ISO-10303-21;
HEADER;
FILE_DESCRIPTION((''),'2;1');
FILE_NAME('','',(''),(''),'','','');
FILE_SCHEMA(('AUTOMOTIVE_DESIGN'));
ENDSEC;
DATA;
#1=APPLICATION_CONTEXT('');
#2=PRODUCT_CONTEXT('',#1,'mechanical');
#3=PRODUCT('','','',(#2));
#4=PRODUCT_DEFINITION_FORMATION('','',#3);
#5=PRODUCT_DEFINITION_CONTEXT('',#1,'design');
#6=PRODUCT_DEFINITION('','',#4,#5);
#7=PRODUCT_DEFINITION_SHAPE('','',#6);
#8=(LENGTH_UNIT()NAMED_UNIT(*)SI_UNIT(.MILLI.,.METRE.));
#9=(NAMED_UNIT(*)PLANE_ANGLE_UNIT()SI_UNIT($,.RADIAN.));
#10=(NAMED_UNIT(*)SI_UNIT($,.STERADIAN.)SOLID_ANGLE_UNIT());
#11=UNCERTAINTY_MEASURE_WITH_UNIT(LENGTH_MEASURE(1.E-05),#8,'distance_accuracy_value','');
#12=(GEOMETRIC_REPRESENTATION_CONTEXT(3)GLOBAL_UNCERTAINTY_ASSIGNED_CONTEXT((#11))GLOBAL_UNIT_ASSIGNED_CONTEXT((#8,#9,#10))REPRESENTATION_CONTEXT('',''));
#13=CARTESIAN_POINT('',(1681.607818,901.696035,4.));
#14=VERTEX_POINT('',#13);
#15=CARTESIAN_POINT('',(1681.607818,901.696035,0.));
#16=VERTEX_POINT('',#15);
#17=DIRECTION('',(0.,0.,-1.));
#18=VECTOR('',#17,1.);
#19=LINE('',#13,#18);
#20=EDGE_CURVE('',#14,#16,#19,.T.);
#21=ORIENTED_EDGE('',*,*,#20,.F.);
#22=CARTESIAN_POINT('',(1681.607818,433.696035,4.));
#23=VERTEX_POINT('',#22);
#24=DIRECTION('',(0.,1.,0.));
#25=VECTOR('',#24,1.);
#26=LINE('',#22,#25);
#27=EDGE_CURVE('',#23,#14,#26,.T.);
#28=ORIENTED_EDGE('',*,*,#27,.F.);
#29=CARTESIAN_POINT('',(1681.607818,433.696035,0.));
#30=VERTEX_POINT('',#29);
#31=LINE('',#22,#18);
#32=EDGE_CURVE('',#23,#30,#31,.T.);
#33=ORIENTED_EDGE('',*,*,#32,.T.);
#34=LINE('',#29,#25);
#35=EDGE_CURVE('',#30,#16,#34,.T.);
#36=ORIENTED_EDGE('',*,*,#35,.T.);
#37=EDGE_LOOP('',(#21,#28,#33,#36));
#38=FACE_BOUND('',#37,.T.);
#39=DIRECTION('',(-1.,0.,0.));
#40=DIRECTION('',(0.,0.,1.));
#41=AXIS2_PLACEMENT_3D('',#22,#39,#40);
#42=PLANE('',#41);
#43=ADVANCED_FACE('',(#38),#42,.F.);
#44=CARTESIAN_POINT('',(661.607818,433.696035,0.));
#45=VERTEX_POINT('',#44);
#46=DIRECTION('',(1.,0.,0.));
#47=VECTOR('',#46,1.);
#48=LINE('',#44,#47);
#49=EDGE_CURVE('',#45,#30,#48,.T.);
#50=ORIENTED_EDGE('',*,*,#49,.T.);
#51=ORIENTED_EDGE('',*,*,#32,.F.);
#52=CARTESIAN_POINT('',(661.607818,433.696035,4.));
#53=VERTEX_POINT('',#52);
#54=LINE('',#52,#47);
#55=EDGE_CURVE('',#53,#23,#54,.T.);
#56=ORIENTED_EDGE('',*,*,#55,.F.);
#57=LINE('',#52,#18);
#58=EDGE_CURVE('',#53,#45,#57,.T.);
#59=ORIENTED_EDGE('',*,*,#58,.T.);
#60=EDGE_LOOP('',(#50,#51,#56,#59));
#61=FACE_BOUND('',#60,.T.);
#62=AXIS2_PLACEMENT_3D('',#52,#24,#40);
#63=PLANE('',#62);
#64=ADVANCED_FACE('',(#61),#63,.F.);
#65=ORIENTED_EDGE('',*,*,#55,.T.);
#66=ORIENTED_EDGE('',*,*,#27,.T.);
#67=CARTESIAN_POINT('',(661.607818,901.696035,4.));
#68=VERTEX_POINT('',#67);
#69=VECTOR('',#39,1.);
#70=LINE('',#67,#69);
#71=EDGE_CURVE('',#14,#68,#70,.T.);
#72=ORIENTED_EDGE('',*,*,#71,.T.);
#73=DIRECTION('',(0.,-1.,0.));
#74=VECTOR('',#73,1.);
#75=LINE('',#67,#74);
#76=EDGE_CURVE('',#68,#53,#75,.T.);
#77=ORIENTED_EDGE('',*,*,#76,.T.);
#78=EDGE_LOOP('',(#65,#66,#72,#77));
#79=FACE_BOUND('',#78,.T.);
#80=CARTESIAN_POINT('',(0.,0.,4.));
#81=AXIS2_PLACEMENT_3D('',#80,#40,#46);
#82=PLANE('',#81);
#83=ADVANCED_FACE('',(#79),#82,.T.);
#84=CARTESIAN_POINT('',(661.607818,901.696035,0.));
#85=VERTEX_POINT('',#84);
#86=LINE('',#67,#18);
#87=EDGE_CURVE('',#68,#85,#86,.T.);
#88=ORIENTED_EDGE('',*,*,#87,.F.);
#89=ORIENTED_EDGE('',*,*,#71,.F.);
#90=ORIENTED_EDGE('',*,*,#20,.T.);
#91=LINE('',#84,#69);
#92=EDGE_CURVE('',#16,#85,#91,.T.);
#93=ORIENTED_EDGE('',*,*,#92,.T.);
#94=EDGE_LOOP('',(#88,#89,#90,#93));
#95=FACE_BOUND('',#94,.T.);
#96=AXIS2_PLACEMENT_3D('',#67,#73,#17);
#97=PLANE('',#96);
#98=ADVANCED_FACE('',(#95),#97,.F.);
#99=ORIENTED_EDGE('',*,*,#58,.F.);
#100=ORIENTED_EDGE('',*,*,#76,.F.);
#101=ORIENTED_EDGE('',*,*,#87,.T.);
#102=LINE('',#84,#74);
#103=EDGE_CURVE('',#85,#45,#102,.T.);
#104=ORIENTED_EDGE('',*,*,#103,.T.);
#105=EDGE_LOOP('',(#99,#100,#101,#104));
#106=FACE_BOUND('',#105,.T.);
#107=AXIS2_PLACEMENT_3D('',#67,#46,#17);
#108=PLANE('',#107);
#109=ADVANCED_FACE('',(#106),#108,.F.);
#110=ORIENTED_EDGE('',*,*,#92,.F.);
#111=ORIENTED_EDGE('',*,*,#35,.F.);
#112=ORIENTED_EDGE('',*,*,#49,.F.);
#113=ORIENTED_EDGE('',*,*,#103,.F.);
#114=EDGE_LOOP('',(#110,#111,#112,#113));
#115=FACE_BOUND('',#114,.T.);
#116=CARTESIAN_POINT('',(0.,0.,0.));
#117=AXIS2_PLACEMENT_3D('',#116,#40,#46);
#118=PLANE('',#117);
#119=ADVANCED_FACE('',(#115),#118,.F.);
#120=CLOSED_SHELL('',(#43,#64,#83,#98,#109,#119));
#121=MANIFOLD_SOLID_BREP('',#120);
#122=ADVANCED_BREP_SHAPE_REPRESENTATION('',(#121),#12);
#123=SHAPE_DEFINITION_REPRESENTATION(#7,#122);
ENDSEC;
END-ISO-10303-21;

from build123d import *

# Parameters (mm, degrees)
SKETCH_3_W      = 1020
SKETCH_3_H      = 468
EXTRUDE_1_DEPTH = 4


with BuildPart() as part:
    # 草图3 → 凸台-拉伸1 (new body)
    with BuildSketch(Plane.XY):
        with Locations((1171.607818449, 667.696034701)):
            Rectangle(SKETCH_3_W, SKETCH_3_H)
    extrude(amount=EXTRUDE_1_DEPTH)


solid = part.part
